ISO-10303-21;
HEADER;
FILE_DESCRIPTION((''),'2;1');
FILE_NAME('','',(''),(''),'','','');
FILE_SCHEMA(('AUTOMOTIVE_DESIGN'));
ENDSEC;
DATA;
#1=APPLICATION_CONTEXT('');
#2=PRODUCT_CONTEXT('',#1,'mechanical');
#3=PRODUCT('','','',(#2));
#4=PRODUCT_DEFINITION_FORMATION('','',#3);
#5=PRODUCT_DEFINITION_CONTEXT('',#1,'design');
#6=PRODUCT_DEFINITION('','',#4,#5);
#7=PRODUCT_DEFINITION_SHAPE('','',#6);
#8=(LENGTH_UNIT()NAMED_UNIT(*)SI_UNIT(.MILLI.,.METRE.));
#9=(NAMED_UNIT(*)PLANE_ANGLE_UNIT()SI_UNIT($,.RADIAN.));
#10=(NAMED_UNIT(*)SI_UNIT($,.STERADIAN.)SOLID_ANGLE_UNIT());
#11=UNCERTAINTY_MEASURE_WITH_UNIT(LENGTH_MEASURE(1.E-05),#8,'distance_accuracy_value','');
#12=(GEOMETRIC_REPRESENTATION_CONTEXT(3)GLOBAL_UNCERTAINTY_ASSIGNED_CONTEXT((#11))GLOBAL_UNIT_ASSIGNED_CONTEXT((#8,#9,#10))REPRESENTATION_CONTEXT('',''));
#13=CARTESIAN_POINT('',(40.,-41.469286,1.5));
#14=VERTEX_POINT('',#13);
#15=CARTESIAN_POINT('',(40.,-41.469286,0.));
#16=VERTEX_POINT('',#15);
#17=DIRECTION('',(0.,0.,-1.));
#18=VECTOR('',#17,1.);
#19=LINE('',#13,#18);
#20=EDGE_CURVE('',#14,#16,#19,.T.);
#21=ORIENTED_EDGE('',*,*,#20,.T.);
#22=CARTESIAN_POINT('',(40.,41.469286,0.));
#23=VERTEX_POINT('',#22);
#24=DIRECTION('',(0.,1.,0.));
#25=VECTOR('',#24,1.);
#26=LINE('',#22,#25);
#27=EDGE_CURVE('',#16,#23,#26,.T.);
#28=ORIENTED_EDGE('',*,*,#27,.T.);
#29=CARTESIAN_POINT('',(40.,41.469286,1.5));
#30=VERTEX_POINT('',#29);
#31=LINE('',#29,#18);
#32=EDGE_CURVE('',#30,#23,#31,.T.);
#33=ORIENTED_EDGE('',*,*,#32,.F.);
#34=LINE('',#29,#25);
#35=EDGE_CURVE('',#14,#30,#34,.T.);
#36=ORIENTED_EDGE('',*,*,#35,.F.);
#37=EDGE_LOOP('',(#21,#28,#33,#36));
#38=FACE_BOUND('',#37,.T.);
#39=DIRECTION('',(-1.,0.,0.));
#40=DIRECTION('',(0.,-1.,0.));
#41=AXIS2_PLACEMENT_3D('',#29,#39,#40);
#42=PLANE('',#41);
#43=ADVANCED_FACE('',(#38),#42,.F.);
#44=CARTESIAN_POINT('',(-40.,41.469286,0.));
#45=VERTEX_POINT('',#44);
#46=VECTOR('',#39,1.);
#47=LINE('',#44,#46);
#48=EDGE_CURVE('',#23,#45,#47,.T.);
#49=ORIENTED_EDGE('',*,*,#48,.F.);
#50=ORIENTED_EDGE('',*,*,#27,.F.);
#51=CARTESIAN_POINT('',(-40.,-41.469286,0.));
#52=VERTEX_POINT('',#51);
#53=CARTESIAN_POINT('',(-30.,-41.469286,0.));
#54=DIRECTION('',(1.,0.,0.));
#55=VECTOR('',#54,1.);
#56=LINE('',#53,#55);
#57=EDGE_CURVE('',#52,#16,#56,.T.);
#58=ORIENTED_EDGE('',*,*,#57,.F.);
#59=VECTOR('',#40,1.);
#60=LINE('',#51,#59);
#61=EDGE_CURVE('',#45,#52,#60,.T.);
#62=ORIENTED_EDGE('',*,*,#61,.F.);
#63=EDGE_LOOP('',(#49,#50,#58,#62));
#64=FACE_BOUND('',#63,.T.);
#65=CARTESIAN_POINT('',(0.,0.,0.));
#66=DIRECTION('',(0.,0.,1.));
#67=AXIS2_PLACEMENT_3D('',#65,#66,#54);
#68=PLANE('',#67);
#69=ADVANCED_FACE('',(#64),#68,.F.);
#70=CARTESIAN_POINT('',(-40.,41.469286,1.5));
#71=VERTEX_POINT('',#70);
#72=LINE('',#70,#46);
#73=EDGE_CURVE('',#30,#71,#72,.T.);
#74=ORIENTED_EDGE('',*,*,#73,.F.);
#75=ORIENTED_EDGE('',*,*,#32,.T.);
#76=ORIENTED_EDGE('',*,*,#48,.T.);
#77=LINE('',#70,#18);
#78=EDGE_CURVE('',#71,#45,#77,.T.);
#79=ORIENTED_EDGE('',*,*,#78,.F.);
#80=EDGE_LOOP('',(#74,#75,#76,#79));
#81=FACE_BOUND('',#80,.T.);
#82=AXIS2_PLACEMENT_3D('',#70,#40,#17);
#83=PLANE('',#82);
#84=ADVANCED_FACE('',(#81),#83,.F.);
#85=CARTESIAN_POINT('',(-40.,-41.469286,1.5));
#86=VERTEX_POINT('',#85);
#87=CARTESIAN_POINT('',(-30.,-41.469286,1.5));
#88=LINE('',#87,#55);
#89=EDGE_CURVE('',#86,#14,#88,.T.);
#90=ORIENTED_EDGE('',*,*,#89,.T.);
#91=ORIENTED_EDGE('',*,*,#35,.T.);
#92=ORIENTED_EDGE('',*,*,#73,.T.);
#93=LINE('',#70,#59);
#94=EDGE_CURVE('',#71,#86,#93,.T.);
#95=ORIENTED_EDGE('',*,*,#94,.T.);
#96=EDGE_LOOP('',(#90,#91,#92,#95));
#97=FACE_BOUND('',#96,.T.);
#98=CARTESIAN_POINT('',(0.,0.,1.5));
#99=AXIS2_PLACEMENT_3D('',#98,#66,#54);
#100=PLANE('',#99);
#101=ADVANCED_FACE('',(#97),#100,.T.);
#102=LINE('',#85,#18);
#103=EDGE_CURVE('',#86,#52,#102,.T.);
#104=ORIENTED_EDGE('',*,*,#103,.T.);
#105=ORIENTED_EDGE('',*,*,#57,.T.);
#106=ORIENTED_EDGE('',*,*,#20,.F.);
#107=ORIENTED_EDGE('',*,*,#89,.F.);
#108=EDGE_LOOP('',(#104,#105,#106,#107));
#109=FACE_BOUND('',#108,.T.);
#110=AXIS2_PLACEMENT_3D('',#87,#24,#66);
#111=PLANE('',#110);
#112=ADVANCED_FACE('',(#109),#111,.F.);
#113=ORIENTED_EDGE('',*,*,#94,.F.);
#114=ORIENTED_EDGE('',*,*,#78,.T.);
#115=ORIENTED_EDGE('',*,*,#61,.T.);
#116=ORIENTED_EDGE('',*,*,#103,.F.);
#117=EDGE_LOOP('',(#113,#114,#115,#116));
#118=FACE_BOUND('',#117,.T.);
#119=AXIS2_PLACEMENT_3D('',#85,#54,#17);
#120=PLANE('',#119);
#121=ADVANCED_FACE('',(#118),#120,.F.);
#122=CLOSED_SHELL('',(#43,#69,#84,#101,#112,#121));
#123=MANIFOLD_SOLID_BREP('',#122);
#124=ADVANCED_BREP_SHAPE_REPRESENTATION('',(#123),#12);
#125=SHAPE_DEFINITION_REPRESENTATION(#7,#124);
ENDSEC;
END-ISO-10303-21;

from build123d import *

# Parameters (mm, degrees)
BOSS_EXTRUDE1_DEPTH = 1.5


with BuildPart() as part:
    # Sketch1 → Boss-Extrude1 (new body)
    with BuildSketch(Plane.XY):
        Polygon((-30, -41.469286433), (-40, -41.469286433), (-40, -31.101964825), (-40, 41.469286433), (40, 41.469286433), (40, -41.469286433), align=None)
    extrude(amount=BOSS_EXTRUDE1_DEPTH)


solid = part.part
